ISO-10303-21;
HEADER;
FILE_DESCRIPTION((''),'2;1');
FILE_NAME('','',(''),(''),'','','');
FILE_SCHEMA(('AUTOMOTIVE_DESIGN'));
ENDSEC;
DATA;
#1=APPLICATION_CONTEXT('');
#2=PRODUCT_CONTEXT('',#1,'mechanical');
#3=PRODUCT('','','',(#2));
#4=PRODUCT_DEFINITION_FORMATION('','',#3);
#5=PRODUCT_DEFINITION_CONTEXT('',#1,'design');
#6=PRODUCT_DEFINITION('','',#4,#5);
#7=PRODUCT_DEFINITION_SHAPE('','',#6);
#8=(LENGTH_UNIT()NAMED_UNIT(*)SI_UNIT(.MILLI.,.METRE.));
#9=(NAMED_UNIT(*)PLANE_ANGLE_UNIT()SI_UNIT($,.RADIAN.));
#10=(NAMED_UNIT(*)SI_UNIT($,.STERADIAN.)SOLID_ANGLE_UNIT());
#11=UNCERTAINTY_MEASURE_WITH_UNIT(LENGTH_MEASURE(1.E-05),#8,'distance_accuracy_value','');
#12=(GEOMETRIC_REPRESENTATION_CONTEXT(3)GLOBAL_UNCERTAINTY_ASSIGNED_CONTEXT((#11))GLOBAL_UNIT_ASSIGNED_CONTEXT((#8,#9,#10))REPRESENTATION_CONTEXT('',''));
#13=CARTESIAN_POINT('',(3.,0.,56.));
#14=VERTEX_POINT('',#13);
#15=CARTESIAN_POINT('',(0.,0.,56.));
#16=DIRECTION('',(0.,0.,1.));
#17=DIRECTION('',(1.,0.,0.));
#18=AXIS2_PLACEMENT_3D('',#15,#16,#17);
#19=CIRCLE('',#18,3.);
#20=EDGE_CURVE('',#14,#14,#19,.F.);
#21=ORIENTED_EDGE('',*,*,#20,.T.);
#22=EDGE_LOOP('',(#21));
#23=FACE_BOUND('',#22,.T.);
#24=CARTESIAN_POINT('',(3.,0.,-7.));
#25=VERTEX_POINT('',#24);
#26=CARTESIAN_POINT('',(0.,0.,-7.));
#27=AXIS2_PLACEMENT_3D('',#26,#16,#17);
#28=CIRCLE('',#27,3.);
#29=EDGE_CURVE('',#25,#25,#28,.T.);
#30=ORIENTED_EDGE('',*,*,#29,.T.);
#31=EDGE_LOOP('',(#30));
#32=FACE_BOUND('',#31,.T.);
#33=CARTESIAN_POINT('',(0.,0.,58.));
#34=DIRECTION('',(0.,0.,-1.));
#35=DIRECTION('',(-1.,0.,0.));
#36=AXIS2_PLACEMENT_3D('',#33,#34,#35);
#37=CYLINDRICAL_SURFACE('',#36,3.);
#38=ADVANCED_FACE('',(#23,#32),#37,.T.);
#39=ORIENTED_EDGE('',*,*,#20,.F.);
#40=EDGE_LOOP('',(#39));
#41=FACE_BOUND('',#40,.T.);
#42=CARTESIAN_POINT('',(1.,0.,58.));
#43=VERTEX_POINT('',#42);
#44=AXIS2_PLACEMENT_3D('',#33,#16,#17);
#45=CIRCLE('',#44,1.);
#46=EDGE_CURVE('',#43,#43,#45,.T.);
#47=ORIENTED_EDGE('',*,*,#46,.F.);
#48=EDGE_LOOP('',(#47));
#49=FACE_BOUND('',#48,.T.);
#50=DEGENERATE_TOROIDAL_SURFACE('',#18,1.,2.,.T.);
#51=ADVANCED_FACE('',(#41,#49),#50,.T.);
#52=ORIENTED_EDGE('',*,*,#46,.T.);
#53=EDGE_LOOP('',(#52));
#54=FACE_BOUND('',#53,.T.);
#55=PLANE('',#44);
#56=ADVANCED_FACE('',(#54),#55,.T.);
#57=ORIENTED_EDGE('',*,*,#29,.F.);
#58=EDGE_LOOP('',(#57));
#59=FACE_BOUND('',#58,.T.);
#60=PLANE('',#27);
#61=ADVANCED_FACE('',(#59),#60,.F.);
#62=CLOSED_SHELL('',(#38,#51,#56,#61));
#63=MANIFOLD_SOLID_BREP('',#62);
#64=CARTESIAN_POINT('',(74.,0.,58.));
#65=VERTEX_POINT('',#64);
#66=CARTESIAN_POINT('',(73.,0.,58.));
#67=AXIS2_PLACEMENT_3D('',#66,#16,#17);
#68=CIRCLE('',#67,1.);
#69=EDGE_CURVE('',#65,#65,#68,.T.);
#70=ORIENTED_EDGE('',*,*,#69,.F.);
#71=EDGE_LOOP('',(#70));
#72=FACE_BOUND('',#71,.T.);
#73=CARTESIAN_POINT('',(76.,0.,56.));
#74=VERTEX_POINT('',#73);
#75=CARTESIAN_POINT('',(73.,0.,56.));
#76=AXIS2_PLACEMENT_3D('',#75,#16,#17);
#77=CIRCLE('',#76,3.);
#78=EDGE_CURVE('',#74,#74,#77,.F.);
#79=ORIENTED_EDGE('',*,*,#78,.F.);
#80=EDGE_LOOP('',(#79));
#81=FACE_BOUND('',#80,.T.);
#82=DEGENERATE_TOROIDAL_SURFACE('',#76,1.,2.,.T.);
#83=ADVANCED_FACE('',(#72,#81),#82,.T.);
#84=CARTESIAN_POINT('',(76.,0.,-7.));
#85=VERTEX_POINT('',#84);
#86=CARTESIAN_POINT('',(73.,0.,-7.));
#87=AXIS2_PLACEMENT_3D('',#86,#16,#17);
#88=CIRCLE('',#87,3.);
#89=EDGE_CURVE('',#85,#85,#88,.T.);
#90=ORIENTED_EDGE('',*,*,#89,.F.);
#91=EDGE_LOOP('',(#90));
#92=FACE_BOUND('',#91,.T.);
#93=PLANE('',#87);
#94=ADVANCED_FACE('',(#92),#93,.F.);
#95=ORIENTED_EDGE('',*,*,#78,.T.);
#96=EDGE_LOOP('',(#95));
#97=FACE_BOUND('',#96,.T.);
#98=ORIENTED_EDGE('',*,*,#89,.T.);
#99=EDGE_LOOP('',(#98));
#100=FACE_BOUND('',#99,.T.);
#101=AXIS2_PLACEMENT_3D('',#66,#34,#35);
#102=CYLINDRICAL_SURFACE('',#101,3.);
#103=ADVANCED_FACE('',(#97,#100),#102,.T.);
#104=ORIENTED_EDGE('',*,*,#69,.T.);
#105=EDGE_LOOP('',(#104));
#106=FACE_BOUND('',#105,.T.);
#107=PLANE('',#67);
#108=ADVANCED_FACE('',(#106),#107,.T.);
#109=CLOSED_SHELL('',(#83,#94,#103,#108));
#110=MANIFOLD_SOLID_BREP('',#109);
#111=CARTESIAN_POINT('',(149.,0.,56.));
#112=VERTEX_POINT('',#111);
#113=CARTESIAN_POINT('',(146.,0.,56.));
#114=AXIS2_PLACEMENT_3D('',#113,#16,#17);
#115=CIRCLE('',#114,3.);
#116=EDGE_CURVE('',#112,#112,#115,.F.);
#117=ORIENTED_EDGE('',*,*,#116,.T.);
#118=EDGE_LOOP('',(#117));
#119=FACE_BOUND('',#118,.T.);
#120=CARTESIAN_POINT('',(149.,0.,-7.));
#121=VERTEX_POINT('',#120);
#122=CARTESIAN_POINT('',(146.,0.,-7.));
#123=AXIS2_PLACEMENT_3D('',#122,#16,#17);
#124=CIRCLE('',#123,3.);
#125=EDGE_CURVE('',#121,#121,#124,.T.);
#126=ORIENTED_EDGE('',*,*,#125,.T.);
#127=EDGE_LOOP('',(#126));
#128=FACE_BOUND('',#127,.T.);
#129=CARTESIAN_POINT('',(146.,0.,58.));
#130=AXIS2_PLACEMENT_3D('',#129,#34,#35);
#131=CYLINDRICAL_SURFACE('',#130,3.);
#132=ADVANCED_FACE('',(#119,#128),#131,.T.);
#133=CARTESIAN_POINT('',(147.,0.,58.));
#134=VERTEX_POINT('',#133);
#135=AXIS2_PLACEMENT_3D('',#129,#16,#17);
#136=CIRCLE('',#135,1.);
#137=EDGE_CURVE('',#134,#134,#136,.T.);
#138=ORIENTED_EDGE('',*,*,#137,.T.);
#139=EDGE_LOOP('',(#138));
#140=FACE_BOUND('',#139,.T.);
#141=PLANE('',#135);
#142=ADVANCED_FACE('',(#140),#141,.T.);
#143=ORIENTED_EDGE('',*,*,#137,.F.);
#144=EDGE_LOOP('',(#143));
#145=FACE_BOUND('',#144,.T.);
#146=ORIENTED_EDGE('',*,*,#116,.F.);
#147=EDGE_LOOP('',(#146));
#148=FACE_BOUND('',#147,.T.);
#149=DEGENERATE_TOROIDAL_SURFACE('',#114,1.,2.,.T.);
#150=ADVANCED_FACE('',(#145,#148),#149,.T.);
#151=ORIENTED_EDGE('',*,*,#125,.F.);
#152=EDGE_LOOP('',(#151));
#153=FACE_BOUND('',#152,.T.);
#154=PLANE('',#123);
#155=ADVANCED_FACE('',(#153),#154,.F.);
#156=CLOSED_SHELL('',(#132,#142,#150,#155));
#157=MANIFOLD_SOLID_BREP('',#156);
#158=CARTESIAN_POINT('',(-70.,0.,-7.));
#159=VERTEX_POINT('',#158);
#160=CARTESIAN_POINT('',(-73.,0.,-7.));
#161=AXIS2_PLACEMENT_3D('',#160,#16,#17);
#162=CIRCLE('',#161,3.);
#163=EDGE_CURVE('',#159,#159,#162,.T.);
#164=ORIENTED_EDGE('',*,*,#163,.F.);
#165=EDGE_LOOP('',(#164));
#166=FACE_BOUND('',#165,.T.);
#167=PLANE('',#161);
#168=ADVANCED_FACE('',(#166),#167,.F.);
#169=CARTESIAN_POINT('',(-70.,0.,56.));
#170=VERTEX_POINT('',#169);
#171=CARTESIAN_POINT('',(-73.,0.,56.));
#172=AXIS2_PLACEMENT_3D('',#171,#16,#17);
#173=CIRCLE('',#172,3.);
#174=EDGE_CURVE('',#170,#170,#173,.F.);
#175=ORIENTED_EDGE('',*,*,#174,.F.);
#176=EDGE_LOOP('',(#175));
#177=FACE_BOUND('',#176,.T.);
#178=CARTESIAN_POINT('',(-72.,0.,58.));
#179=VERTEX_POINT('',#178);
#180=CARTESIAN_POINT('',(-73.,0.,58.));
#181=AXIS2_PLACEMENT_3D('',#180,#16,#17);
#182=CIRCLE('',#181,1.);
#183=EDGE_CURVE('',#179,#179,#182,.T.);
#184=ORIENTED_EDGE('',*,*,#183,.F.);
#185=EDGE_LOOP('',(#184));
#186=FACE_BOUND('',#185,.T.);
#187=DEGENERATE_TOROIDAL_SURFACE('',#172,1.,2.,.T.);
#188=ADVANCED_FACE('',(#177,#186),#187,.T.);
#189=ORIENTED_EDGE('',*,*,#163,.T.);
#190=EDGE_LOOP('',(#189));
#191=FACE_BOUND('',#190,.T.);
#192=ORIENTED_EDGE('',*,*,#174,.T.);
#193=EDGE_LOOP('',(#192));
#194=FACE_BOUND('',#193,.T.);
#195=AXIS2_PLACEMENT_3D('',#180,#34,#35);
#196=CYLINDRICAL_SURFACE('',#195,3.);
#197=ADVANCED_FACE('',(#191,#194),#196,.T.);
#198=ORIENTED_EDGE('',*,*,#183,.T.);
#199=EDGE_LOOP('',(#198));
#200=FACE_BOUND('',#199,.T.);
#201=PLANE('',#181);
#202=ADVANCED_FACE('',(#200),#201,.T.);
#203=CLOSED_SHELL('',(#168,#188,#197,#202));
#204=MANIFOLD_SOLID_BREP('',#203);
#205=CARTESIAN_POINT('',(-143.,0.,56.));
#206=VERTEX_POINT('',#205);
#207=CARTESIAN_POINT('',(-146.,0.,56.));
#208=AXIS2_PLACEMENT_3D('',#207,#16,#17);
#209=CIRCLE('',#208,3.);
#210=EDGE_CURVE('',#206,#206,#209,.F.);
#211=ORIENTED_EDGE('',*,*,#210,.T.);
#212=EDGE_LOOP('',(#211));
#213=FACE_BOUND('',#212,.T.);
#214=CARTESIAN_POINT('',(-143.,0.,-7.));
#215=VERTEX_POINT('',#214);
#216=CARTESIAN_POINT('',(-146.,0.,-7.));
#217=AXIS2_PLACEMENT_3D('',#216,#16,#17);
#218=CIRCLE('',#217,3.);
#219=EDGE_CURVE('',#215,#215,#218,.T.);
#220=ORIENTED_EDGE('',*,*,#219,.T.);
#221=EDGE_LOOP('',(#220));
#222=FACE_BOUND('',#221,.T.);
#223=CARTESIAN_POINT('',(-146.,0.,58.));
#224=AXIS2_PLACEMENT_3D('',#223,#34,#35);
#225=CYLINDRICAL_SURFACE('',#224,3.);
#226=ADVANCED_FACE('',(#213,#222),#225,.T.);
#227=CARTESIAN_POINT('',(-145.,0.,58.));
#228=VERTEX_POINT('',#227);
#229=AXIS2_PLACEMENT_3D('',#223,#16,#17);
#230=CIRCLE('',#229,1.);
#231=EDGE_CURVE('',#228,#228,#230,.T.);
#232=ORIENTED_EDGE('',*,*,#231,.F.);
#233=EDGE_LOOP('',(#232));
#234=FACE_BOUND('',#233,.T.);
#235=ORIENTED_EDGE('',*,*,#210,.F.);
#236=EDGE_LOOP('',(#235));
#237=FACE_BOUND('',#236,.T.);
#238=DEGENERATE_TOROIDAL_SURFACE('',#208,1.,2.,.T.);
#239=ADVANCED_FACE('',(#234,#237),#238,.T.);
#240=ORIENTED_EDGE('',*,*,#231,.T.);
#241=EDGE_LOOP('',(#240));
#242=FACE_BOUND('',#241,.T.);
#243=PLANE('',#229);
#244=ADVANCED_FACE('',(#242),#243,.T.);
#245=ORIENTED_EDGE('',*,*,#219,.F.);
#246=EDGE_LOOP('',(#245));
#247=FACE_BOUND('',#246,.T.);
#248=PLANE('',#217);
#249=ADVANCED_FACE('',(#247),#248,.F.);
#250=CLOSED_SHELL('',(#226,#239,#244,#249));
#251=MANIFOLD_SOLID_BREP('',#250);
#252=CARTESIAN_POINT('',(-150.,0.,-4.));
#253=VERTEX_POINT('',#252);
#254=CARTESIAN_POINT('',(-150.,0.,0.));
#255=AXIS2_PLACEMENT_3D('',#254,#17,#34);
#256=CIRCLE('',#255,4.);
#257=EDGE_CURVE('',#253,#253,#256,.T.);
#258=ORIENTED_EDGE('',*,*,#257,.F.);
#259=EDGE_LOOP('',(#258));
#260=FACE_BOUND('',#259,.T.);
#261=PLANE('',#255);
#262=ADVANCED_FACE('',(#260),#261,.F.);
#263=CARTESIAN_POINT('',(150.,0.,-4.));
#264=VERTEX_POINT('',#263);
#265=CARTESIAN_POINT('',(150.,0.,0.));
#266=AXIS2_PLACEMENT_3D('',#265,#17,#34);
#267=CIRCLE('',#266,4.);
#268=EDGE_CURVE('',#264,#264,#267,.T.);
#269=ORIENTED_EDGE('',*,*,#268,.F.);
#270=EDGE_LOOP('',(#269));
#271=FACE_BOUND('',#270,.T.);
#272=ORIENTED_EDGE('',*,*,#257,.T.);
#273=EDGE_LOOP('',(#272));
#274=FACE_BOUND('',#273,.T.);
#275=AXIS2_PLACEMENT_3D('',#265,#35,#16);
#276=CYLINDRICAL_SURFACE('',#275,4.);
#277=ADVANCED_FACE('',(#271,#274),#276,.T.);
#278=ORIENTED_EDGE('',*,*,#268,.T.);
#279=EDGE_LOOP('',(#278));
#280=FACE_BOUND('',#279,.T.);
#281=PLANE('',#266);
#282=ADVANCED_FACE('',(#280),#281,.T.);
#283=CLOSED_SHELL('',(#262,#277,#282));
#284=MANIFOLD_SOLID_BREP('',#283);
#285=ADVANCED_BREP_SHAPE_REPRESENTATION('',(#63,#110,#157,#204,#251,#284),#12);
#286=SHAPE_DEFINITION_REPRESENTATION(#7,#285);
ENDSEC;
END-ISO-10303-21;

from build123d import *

# Parameters (mm, degrees)
ESQUISSE1_R                  = 4
BOSS_EXTRU_1_DEPTH           = 150
BOSS_EXTRU_3_START           = -7
ESQUISSE3_R                  = 3
BOSS_EXTRU_3_DEPTH           = 65
CONG_1_R                     = 2
R_P_TITION_LIN_AIRE1_COUNT   = 3
R_P_TITION_LIN_AIRE1_PITCH   = 73
R_P_TITION_LIN_AIRE1_2_COUNT = 3
R_P_TITION_LIN_AIRE1_2_PITCH = 73


with BuildPart() as part:
    # Esquisse1 → Boss.-Extru.1 (new, symmetric)
    with BuildSketch(Plane(origin=(0, 0, 0), x_dir=(0, 0, -1), z_dir=(1, 0, 0))):
        Circle(ESQUISSE1_R)
    extrude(amount=BOSS_EXTRU_1_DEPTH, both=True)


with BuildPart() as body_2:
    # Esquisse3 → Boss.-Extru.3 (new body)
    with BuildSketch(Plane.XY.offset(BOSS_EXTRU_3_START)):
        Circle(ESQUISSE3_R)
    extrude(amount=BOSS_EXTRU_3_DEPTH)

    # Congé1
    cong_1_edges = [body_2.edges().sort_by_distance(p)[0] for p in [
        (-3, 0, 58),
    ]]
    fillet(cong_1_edges, radius=CONG_1_R)


with BuildPart() as r_p_tition_lin_aire1_1:
    # Répétition linéaire1: pattern copy
    add(body_2.part.moved(Location(Vector(1, 0, 0) * (1 * R_P_TITION_LIN_AIRE1_PITCH))))


with BuildPart() as r_p_tition_lin_aire1_2:
    # Répétition linéaire1: pattern copy
    add(body_2.part.moved(Location(Vector(1, 0, 0) * (2 * R_P_TITION_LIN_AIRE1_PITCH))))


with BuildPart() as r_p_tition_lin_aire1_2_1:
    # R_p_tition lin_aire1 2: pattern copy
    add(body_2.part.moved(Location(Vector(-1, 0, 0) * (1 * R_P_TITION_LIN_AIRE1_2_PITCH))))


with BuildPart() as r_p_tition_lin_aire1_2_2:
    # R_p_tition lin_aire1 2: pattern copy
    add(body_2.part.moved(Location(Vector(-1, 0, 0) * (2 * R_P_TITION_LIN_AIRE1_2_PITCH))))


solid = Compound([part.part, body_2.part, r_p_tition_lin_aire1_1.part, r_p_tition_lin_aire1_2.part, r_p_tition_lin_aire1_2_1.part, r_p_tition_lin_aire1_2_2.part])
